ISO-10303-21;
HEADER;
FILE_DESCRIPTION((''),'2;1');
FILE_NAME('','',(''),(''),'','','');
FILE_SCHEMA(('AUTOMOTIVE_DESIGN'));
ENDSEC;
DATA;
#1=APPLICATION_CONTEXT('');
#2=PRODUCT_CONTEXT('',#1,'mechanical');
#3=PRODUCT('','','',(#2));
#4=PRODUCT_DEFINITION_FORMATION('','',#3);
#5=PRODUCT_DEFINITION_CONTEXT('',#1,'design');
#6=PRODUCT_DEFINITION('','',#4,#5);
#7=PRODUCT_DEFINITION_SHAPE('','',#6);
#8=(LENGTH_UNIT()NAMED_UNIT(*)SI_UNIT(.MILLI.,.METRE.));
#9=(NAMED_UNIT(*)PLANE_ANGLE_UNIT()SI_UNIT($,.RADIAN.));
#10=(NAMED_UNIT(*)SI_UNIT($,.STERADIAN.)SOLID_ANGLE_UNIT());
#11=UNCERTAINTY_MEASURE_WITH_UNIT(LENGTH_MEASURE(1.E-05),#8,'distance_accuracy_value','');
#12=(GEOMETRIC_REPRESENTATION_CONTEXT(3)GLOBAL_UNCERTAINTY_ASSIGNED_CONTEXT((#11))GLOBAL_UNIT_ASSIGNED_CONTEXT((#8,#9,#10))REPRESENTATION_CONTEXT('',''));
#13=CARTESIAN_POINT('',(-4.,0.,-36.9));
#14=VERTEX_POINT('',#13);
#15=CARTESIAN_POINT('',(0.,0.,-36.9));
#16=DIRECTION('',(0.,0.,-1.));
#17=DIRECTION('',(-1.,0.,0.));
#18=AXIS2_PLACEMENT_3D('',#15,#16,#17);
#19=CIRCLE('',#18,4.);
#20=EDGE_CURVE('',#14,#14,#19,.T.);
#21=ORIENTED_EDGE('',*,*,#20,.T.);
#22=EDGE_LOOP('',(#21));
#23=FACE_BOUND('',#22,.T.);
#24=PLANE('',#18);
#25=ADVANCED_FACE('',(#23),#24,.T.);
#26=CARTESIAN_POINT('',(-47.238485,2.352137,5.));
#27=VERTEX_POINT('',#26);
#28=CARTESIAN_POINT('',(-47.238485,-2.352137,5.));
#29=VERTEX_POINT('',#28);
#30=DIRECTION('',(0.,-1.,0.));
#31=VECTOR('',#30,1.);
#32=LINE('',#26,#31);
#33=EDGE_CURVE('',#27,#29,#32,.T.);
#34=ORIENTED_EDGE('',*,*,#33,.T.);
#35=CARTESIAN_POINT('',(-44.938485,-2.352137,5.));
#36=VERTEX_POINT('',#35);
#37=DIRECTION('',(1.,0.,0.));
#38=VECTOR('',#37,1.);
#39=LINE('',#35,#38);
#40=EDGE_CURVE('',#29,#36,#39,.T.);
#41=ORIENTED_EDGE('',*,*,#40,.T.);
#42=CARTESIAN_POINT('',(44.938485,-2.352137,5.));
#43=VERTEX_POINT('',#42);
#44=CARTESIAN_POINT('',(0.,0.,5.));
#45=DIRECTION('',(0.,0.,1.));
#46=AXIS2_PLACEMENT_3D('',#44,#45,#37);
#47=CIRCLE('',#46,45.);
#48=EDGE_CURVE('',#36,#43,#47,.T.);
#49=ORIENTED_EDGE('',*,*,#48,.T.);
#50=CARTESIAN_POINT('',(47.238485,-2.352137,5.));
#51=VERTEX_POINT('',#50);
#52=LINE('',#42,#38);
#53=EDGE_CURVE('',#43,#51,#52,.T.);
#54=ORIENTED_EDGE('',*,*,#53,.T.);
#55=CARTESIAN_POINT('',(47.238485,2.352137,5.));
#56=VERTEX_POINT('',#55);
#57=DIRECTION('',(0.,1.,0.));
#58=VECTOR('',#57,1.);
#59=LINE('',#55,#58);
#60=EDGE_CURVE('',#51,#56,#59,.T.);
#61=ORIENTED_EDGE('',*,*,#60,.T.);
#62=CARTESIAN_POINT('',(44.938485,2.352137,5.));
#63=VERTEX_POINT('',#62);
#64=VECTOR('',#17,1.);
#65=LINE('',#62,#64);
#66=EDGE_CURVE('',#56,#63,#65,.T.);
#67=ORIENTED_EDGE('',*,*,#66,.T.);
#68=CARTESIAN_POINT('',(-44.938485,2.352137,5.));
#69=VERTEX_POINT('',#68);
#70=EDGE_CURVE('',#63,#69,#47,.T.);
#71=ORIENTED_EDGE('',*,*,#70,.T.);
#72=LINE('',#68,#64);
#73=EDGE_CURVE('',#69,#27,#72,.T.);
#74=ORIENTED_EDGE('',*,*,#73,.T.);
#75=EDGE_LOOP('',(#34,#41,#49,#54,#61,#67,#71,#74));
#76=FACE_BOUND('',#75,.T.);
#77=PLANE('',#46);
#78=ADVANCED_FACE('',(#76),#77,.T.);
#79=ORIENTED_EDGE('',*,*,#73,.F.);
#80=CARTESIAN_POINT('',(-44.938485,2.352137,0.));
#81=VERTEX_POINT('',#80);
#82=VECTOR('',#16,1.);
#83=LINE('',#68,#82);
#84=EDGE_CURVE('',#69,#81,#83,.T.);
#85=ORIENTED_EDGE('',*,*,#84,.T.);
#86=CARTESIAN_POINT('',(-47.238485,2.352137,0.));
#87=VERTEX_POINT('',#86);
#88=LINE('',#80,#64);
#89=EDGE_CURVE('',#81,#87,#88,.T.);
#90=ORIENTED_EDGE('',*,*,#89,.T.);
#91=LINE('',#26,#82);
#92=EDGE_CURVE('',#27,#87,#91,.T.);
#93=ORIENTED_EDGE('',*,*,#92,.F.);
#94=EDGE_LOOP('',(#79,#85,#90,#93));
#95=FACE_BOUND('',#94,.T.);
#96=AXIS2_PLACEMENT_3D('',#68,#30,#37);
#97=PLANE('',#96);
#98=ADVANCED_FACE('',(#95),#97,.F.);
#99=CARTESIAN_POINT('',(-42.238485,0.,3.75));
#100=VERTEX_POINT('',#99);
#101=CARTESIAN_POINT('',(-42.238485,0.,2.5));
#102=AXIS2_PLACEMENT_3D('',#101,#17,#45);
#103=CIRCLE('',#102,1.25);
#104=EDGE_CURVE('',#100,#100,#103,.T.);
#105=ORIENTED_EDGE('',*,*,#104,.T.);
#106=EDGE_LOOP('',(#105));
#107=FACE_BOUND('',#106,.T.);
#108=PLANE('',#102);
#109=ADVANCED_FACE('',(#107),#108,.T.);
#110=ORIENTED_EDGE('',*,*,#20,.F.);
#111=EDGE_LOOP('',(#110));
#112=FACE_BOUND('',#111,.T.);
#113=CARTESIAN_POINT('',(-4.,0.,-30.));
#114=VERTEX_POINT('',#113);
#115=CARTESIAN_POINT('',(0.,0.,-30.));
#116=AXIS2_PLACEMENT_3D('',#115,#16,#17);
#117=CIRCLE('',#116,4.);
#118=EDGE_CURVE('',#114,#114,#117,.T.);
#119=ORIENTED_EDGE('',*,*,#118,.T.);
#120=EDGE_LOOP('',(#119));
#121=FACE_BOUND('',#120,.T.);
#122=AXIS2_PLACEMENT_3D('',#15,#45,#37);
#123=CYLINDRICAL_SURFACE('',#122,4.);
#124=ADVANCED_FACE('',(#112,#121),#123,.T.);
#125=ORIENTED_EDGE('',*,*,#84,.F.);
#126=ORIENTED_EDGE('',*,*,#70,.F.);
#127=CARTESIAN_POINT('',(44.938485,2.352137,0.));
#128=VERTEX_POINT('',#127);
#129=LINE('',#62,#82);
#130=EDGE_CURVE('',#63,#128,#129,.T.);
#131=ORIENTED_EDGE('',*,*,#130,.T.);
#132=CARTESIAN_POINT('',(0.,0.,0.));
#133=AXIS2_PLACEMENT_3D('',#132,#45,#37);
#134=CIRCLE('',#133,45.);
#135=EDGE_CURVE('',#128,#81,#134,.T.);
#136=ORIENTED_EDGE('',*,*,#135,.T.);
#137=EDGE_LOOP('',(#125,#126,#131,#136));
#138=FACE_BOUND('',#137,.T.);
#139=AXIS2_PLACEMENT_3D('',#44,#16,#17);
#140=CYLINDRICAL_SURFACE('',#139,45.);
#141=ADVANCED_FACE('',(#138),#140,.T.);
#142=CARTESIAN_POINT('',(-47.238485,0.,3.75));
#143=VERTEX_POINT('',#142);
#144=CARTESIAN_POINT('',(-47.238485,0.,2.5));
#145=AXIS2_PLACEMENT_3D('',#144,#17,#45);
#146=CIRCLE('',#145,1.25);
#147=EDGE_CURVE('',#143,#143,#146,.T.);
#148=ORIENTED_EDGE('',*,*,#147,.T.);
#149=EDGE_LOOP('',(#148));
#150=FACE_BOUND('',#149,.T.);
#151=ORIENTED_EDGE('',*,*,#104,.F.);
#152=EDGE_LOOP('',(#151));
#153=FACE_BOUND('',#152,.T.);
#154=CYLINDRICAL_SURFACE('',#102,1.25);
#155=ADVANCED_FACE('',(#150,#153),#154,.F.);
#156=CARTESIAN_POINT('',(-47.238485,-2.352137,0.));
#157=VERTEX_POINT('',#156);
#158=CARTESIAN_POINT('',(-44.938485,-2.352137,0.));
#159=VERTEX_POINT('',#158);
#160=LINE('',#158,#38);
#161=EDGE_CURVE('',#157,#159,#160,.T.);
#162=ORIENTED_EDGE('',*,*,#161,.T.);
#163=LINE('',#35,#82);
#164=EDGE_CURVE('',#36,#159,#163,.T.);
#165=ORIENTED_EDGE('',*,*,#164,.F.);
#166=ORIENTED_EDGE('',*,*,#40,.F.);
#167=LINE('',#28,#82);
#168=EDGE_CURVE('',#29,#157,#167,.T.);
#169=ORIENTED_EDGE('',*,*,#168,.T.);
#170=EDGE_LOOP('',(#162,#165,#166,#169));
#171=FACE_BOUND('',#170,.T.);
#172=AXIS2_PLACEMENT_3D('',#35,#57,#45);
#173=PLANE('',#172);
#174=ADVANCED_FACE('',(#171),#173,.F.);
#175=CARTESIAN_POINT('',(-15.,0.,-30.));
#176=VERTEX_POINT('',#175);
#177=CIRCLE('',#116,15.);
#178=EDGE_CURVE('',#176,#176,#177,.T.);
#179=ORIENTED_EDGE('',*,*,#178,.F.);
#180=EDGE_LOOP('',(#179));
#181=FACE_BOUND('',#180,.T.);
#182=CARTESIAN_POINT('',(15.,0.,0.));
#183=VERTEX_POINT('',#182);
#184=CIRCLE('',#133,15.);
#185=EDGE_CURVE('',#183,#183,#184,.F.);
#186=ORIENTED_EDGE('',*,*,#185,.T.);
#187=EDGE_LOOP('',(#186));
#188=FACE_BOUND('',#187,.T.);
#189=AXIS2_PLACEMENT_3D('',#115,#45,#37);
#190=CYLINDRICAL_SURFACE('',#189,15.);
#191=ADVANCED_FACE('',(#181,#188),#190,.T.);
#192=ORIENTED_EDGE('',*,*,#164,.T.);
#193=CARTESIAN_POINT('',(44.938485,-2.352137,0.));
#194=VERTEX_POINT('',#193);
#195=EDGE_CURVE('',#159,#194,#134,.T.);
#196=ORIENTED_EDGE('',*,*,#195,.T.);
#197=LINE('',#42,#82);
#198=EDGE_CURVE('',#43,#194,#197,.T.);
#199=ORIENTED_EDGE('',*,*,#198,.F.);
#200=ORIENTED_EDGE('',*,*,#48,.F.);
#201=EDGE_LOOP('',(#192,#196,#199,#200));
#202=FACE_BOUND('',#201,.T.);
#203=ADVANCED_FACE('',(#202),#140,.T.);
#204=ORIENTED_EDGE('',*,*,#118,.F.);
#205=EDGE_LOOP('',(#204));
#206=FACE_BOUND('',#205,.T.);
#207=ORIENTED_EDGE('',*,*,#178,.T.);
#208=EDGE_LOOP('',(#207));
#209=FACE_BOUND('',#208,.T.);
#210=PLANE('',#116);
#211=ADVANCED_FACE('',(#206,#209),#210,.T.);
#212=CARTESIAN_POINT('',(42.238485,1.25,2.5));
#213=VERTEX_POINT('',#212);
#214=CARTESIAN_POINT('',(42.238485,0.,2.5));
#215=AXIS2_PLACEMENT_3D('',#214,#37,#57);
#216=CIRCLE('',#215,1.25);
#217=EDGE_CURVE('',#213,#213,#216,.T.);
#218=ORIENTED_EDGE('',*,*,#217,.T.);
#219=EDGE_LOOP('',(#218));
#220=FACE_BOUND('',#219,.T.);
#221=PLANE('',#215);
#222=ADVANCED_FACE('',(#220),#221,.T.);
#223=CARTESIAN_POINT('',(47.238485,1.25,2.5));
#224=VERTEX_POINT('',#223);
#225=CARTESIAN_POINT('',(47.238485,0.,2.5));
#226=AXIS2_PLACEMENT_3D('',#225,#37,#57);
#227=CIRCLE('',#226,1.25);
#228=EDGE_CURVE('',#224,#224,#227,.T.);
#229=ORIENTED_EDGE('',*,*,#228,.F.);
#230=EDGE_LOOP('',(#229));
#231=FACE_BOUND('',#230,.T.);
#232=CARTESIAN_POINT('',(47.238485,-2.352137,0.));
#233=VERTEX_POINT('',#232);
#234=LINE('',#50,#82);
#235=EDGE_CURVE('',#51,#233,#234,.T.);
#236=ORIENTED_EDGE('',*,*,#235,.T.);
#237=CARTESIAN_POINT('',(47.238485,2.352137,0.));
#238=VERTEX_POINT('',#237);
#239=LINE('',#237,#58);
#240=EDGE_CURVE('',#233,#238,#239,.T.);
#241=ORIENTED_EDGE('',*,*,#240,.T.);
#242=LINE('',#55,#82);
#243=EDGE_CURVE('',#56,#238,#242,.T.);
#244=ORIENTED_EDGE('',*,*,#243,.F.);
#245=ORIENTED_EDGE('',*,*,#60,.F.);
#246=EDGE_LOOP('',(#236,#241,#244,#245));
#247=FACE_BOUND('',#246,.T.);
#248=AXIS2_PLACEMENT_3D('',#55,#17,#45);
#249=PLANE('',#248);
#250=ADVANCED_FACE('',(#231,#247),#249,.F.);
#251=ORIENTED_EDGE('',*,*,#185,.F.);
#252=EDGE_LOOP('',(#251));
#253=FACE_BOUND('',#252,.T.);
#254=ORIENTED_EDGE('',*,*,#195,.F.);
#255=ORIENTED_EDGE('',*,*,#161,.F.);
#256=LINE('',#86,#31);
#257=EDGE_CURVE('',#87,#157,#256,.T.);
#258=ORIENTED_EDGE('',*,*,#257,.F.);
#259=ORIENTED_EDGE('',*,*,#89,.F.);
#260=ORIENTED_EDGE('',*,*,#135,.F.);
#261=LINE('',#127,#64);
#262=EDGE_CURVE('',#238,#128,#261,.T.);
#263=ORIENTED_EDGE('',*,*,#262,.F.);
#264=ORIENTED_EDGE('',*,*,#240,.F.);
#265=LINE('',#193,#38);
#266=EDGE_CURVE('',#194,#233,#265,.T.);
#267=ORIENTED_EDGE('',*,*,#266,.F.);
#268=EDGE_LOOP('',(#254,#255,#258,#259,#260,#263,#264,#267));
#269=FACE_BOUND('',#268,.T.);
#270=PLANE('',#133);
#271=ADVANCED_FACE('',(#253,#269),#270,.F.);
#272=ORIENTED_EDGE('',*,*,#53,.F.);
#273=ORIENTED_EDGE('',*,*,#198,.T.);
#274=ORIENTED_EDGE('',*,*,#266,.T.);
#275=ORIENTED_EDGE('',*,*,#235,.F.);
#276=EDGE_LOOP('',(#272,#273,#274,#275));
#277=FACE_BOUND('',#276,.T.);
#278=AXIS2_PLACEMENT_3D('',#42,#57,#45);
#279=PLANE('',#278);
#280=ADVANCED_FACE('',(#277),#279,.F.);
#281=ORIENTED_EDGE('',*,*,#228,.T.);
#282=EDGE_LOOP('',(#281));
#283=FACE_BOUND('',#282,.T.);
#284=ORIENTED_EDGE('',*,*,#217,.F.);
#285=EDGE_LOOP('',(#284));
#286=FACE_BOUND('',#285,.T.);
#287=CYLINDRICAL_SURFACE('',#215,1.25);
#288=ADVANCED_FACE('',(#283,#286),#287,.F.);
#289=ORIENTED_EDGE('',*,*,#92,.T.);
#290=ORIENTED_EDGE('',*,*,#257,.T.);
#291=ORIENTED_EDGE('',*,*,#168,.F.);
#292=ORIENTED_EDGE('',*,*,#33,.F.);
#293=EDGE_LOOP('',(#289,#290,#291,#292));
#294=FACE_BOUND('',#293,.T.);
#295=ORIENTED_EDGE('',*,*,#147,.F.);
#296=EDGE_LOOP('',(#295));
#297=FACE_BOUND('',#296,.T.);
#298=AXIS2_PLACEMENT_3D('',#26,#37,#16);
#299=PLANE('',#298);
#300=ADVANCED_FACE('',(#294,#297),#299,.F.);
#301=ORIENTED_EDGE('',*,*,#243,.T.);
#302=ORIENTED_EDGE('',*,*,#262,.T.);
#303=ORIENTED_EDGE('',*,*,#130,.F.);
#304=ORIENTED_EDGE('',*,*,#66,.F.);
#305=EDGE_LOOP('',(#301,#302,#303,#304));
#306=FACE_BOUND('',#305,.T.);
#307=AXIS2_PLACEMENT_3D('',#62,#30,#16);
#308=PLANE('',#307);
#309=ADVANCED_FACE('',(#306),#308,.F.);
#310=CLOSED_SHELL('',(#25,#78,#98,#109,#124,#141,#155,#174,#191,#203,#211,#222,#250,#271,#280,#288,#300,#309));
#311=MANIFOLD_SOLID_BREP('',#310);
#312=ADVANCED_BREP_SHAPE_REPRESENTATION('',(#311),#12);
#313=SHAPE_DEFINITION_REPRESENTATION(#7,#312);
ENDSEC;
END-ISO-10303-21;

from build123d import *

# Parameters (mm, degrees)
BOSS_EXTRUDE2_DEPTH = 5
SKETCH6_R           = 15
BOSS_EXTRUDE3_DEPTH = 30
SKETCH7_R           = 4
BOSS_EXTRUDE4_DEPTH = 6.9
SKETCH8_R           = 1.25
CUT_EXTRUDE1_DEPTH  = 5
SKETCH9_R           = 1.25
CUT_EXTRUDE2_DEPTH  = 5


with BuildPart() as part:
    # Sketch5 → Boss-Extrude2 (new body)
    with BuildSketch(Plane.XY):
        with BuildLine():
            Line((-44.938485198, 2.352136924), (-47.238485198, 2.352136924))
            Line((-47.238485198, 2.352136924), (-47.238485198, -2.352136924))
            Line((-47.238485198, -2.352136924), (-44.938485198, -2.352136924))
            ThreePointArc((-44.938485198, -2.352136924), (0, -45), (44.938485198, -2.352136924))
            Line((44.938485198, -2.352136924), (47.238485198, -2.352136924))
            Line((47.238485198, -2.352136924), (47.238485198, 2.352136924))
            Line((47.238485198, 2.352136924), (44.938485198, 2.352136924))
            ThreePointArc((44.938485198, 2.352136924), (0, 45), (-44.938485198, 2.352136924))
        make_face()
    extrude(amount=BOSS_EXTRUDE2_DEPTH)

    # Sketch6 → Boss-Extrude3 (add)
    with BuildSketch(Plane(origin=(0, 0, 0), x_dir=(-1, 0, 0), z_dir=(0, 0, -1))):
        Circle(SKETCH6_R)
    extrude(amount=BOSS_EXTRUDE3_DEPTH)

    # Sketch7 → Boss-Extrude4 (add)
    with BuildSketch(Plane(origin=(0, 0, -30), x_dir=(-1, 0, 0), z_dir=(0, 0, -1))):
        Circle(SKETCH7_R)
    extrude(amount=BOSS_EXTRUDE4_DEPTH)

    # Sketch8 → Cut-Extrude1 (cut)
    with BuildSketch(Plane(origin=(47.238485198, 0, 0), x_dir=(0, 0, -1), z_dir=(1, 0, 0))):
        with Locations((-2.5, 0)):
            Circle(SKETCH8_R)
    extrude(amount=-CUT_EXTRUDE1_DEPTH, mode=Mode.SUBTRACT)

    # Sketch9 → Cut-Extrude2 (cut)
    with BuildSketch(Plane.ZY.offset(47.238485198)):
        with Locations((2.5, 0)):
            Circle(SKETCH9_R)
    extrude(amount=-CUT_EXTRUDE2_DEPTH, mode=Mode.SUBTRACT)


solid = part.part
